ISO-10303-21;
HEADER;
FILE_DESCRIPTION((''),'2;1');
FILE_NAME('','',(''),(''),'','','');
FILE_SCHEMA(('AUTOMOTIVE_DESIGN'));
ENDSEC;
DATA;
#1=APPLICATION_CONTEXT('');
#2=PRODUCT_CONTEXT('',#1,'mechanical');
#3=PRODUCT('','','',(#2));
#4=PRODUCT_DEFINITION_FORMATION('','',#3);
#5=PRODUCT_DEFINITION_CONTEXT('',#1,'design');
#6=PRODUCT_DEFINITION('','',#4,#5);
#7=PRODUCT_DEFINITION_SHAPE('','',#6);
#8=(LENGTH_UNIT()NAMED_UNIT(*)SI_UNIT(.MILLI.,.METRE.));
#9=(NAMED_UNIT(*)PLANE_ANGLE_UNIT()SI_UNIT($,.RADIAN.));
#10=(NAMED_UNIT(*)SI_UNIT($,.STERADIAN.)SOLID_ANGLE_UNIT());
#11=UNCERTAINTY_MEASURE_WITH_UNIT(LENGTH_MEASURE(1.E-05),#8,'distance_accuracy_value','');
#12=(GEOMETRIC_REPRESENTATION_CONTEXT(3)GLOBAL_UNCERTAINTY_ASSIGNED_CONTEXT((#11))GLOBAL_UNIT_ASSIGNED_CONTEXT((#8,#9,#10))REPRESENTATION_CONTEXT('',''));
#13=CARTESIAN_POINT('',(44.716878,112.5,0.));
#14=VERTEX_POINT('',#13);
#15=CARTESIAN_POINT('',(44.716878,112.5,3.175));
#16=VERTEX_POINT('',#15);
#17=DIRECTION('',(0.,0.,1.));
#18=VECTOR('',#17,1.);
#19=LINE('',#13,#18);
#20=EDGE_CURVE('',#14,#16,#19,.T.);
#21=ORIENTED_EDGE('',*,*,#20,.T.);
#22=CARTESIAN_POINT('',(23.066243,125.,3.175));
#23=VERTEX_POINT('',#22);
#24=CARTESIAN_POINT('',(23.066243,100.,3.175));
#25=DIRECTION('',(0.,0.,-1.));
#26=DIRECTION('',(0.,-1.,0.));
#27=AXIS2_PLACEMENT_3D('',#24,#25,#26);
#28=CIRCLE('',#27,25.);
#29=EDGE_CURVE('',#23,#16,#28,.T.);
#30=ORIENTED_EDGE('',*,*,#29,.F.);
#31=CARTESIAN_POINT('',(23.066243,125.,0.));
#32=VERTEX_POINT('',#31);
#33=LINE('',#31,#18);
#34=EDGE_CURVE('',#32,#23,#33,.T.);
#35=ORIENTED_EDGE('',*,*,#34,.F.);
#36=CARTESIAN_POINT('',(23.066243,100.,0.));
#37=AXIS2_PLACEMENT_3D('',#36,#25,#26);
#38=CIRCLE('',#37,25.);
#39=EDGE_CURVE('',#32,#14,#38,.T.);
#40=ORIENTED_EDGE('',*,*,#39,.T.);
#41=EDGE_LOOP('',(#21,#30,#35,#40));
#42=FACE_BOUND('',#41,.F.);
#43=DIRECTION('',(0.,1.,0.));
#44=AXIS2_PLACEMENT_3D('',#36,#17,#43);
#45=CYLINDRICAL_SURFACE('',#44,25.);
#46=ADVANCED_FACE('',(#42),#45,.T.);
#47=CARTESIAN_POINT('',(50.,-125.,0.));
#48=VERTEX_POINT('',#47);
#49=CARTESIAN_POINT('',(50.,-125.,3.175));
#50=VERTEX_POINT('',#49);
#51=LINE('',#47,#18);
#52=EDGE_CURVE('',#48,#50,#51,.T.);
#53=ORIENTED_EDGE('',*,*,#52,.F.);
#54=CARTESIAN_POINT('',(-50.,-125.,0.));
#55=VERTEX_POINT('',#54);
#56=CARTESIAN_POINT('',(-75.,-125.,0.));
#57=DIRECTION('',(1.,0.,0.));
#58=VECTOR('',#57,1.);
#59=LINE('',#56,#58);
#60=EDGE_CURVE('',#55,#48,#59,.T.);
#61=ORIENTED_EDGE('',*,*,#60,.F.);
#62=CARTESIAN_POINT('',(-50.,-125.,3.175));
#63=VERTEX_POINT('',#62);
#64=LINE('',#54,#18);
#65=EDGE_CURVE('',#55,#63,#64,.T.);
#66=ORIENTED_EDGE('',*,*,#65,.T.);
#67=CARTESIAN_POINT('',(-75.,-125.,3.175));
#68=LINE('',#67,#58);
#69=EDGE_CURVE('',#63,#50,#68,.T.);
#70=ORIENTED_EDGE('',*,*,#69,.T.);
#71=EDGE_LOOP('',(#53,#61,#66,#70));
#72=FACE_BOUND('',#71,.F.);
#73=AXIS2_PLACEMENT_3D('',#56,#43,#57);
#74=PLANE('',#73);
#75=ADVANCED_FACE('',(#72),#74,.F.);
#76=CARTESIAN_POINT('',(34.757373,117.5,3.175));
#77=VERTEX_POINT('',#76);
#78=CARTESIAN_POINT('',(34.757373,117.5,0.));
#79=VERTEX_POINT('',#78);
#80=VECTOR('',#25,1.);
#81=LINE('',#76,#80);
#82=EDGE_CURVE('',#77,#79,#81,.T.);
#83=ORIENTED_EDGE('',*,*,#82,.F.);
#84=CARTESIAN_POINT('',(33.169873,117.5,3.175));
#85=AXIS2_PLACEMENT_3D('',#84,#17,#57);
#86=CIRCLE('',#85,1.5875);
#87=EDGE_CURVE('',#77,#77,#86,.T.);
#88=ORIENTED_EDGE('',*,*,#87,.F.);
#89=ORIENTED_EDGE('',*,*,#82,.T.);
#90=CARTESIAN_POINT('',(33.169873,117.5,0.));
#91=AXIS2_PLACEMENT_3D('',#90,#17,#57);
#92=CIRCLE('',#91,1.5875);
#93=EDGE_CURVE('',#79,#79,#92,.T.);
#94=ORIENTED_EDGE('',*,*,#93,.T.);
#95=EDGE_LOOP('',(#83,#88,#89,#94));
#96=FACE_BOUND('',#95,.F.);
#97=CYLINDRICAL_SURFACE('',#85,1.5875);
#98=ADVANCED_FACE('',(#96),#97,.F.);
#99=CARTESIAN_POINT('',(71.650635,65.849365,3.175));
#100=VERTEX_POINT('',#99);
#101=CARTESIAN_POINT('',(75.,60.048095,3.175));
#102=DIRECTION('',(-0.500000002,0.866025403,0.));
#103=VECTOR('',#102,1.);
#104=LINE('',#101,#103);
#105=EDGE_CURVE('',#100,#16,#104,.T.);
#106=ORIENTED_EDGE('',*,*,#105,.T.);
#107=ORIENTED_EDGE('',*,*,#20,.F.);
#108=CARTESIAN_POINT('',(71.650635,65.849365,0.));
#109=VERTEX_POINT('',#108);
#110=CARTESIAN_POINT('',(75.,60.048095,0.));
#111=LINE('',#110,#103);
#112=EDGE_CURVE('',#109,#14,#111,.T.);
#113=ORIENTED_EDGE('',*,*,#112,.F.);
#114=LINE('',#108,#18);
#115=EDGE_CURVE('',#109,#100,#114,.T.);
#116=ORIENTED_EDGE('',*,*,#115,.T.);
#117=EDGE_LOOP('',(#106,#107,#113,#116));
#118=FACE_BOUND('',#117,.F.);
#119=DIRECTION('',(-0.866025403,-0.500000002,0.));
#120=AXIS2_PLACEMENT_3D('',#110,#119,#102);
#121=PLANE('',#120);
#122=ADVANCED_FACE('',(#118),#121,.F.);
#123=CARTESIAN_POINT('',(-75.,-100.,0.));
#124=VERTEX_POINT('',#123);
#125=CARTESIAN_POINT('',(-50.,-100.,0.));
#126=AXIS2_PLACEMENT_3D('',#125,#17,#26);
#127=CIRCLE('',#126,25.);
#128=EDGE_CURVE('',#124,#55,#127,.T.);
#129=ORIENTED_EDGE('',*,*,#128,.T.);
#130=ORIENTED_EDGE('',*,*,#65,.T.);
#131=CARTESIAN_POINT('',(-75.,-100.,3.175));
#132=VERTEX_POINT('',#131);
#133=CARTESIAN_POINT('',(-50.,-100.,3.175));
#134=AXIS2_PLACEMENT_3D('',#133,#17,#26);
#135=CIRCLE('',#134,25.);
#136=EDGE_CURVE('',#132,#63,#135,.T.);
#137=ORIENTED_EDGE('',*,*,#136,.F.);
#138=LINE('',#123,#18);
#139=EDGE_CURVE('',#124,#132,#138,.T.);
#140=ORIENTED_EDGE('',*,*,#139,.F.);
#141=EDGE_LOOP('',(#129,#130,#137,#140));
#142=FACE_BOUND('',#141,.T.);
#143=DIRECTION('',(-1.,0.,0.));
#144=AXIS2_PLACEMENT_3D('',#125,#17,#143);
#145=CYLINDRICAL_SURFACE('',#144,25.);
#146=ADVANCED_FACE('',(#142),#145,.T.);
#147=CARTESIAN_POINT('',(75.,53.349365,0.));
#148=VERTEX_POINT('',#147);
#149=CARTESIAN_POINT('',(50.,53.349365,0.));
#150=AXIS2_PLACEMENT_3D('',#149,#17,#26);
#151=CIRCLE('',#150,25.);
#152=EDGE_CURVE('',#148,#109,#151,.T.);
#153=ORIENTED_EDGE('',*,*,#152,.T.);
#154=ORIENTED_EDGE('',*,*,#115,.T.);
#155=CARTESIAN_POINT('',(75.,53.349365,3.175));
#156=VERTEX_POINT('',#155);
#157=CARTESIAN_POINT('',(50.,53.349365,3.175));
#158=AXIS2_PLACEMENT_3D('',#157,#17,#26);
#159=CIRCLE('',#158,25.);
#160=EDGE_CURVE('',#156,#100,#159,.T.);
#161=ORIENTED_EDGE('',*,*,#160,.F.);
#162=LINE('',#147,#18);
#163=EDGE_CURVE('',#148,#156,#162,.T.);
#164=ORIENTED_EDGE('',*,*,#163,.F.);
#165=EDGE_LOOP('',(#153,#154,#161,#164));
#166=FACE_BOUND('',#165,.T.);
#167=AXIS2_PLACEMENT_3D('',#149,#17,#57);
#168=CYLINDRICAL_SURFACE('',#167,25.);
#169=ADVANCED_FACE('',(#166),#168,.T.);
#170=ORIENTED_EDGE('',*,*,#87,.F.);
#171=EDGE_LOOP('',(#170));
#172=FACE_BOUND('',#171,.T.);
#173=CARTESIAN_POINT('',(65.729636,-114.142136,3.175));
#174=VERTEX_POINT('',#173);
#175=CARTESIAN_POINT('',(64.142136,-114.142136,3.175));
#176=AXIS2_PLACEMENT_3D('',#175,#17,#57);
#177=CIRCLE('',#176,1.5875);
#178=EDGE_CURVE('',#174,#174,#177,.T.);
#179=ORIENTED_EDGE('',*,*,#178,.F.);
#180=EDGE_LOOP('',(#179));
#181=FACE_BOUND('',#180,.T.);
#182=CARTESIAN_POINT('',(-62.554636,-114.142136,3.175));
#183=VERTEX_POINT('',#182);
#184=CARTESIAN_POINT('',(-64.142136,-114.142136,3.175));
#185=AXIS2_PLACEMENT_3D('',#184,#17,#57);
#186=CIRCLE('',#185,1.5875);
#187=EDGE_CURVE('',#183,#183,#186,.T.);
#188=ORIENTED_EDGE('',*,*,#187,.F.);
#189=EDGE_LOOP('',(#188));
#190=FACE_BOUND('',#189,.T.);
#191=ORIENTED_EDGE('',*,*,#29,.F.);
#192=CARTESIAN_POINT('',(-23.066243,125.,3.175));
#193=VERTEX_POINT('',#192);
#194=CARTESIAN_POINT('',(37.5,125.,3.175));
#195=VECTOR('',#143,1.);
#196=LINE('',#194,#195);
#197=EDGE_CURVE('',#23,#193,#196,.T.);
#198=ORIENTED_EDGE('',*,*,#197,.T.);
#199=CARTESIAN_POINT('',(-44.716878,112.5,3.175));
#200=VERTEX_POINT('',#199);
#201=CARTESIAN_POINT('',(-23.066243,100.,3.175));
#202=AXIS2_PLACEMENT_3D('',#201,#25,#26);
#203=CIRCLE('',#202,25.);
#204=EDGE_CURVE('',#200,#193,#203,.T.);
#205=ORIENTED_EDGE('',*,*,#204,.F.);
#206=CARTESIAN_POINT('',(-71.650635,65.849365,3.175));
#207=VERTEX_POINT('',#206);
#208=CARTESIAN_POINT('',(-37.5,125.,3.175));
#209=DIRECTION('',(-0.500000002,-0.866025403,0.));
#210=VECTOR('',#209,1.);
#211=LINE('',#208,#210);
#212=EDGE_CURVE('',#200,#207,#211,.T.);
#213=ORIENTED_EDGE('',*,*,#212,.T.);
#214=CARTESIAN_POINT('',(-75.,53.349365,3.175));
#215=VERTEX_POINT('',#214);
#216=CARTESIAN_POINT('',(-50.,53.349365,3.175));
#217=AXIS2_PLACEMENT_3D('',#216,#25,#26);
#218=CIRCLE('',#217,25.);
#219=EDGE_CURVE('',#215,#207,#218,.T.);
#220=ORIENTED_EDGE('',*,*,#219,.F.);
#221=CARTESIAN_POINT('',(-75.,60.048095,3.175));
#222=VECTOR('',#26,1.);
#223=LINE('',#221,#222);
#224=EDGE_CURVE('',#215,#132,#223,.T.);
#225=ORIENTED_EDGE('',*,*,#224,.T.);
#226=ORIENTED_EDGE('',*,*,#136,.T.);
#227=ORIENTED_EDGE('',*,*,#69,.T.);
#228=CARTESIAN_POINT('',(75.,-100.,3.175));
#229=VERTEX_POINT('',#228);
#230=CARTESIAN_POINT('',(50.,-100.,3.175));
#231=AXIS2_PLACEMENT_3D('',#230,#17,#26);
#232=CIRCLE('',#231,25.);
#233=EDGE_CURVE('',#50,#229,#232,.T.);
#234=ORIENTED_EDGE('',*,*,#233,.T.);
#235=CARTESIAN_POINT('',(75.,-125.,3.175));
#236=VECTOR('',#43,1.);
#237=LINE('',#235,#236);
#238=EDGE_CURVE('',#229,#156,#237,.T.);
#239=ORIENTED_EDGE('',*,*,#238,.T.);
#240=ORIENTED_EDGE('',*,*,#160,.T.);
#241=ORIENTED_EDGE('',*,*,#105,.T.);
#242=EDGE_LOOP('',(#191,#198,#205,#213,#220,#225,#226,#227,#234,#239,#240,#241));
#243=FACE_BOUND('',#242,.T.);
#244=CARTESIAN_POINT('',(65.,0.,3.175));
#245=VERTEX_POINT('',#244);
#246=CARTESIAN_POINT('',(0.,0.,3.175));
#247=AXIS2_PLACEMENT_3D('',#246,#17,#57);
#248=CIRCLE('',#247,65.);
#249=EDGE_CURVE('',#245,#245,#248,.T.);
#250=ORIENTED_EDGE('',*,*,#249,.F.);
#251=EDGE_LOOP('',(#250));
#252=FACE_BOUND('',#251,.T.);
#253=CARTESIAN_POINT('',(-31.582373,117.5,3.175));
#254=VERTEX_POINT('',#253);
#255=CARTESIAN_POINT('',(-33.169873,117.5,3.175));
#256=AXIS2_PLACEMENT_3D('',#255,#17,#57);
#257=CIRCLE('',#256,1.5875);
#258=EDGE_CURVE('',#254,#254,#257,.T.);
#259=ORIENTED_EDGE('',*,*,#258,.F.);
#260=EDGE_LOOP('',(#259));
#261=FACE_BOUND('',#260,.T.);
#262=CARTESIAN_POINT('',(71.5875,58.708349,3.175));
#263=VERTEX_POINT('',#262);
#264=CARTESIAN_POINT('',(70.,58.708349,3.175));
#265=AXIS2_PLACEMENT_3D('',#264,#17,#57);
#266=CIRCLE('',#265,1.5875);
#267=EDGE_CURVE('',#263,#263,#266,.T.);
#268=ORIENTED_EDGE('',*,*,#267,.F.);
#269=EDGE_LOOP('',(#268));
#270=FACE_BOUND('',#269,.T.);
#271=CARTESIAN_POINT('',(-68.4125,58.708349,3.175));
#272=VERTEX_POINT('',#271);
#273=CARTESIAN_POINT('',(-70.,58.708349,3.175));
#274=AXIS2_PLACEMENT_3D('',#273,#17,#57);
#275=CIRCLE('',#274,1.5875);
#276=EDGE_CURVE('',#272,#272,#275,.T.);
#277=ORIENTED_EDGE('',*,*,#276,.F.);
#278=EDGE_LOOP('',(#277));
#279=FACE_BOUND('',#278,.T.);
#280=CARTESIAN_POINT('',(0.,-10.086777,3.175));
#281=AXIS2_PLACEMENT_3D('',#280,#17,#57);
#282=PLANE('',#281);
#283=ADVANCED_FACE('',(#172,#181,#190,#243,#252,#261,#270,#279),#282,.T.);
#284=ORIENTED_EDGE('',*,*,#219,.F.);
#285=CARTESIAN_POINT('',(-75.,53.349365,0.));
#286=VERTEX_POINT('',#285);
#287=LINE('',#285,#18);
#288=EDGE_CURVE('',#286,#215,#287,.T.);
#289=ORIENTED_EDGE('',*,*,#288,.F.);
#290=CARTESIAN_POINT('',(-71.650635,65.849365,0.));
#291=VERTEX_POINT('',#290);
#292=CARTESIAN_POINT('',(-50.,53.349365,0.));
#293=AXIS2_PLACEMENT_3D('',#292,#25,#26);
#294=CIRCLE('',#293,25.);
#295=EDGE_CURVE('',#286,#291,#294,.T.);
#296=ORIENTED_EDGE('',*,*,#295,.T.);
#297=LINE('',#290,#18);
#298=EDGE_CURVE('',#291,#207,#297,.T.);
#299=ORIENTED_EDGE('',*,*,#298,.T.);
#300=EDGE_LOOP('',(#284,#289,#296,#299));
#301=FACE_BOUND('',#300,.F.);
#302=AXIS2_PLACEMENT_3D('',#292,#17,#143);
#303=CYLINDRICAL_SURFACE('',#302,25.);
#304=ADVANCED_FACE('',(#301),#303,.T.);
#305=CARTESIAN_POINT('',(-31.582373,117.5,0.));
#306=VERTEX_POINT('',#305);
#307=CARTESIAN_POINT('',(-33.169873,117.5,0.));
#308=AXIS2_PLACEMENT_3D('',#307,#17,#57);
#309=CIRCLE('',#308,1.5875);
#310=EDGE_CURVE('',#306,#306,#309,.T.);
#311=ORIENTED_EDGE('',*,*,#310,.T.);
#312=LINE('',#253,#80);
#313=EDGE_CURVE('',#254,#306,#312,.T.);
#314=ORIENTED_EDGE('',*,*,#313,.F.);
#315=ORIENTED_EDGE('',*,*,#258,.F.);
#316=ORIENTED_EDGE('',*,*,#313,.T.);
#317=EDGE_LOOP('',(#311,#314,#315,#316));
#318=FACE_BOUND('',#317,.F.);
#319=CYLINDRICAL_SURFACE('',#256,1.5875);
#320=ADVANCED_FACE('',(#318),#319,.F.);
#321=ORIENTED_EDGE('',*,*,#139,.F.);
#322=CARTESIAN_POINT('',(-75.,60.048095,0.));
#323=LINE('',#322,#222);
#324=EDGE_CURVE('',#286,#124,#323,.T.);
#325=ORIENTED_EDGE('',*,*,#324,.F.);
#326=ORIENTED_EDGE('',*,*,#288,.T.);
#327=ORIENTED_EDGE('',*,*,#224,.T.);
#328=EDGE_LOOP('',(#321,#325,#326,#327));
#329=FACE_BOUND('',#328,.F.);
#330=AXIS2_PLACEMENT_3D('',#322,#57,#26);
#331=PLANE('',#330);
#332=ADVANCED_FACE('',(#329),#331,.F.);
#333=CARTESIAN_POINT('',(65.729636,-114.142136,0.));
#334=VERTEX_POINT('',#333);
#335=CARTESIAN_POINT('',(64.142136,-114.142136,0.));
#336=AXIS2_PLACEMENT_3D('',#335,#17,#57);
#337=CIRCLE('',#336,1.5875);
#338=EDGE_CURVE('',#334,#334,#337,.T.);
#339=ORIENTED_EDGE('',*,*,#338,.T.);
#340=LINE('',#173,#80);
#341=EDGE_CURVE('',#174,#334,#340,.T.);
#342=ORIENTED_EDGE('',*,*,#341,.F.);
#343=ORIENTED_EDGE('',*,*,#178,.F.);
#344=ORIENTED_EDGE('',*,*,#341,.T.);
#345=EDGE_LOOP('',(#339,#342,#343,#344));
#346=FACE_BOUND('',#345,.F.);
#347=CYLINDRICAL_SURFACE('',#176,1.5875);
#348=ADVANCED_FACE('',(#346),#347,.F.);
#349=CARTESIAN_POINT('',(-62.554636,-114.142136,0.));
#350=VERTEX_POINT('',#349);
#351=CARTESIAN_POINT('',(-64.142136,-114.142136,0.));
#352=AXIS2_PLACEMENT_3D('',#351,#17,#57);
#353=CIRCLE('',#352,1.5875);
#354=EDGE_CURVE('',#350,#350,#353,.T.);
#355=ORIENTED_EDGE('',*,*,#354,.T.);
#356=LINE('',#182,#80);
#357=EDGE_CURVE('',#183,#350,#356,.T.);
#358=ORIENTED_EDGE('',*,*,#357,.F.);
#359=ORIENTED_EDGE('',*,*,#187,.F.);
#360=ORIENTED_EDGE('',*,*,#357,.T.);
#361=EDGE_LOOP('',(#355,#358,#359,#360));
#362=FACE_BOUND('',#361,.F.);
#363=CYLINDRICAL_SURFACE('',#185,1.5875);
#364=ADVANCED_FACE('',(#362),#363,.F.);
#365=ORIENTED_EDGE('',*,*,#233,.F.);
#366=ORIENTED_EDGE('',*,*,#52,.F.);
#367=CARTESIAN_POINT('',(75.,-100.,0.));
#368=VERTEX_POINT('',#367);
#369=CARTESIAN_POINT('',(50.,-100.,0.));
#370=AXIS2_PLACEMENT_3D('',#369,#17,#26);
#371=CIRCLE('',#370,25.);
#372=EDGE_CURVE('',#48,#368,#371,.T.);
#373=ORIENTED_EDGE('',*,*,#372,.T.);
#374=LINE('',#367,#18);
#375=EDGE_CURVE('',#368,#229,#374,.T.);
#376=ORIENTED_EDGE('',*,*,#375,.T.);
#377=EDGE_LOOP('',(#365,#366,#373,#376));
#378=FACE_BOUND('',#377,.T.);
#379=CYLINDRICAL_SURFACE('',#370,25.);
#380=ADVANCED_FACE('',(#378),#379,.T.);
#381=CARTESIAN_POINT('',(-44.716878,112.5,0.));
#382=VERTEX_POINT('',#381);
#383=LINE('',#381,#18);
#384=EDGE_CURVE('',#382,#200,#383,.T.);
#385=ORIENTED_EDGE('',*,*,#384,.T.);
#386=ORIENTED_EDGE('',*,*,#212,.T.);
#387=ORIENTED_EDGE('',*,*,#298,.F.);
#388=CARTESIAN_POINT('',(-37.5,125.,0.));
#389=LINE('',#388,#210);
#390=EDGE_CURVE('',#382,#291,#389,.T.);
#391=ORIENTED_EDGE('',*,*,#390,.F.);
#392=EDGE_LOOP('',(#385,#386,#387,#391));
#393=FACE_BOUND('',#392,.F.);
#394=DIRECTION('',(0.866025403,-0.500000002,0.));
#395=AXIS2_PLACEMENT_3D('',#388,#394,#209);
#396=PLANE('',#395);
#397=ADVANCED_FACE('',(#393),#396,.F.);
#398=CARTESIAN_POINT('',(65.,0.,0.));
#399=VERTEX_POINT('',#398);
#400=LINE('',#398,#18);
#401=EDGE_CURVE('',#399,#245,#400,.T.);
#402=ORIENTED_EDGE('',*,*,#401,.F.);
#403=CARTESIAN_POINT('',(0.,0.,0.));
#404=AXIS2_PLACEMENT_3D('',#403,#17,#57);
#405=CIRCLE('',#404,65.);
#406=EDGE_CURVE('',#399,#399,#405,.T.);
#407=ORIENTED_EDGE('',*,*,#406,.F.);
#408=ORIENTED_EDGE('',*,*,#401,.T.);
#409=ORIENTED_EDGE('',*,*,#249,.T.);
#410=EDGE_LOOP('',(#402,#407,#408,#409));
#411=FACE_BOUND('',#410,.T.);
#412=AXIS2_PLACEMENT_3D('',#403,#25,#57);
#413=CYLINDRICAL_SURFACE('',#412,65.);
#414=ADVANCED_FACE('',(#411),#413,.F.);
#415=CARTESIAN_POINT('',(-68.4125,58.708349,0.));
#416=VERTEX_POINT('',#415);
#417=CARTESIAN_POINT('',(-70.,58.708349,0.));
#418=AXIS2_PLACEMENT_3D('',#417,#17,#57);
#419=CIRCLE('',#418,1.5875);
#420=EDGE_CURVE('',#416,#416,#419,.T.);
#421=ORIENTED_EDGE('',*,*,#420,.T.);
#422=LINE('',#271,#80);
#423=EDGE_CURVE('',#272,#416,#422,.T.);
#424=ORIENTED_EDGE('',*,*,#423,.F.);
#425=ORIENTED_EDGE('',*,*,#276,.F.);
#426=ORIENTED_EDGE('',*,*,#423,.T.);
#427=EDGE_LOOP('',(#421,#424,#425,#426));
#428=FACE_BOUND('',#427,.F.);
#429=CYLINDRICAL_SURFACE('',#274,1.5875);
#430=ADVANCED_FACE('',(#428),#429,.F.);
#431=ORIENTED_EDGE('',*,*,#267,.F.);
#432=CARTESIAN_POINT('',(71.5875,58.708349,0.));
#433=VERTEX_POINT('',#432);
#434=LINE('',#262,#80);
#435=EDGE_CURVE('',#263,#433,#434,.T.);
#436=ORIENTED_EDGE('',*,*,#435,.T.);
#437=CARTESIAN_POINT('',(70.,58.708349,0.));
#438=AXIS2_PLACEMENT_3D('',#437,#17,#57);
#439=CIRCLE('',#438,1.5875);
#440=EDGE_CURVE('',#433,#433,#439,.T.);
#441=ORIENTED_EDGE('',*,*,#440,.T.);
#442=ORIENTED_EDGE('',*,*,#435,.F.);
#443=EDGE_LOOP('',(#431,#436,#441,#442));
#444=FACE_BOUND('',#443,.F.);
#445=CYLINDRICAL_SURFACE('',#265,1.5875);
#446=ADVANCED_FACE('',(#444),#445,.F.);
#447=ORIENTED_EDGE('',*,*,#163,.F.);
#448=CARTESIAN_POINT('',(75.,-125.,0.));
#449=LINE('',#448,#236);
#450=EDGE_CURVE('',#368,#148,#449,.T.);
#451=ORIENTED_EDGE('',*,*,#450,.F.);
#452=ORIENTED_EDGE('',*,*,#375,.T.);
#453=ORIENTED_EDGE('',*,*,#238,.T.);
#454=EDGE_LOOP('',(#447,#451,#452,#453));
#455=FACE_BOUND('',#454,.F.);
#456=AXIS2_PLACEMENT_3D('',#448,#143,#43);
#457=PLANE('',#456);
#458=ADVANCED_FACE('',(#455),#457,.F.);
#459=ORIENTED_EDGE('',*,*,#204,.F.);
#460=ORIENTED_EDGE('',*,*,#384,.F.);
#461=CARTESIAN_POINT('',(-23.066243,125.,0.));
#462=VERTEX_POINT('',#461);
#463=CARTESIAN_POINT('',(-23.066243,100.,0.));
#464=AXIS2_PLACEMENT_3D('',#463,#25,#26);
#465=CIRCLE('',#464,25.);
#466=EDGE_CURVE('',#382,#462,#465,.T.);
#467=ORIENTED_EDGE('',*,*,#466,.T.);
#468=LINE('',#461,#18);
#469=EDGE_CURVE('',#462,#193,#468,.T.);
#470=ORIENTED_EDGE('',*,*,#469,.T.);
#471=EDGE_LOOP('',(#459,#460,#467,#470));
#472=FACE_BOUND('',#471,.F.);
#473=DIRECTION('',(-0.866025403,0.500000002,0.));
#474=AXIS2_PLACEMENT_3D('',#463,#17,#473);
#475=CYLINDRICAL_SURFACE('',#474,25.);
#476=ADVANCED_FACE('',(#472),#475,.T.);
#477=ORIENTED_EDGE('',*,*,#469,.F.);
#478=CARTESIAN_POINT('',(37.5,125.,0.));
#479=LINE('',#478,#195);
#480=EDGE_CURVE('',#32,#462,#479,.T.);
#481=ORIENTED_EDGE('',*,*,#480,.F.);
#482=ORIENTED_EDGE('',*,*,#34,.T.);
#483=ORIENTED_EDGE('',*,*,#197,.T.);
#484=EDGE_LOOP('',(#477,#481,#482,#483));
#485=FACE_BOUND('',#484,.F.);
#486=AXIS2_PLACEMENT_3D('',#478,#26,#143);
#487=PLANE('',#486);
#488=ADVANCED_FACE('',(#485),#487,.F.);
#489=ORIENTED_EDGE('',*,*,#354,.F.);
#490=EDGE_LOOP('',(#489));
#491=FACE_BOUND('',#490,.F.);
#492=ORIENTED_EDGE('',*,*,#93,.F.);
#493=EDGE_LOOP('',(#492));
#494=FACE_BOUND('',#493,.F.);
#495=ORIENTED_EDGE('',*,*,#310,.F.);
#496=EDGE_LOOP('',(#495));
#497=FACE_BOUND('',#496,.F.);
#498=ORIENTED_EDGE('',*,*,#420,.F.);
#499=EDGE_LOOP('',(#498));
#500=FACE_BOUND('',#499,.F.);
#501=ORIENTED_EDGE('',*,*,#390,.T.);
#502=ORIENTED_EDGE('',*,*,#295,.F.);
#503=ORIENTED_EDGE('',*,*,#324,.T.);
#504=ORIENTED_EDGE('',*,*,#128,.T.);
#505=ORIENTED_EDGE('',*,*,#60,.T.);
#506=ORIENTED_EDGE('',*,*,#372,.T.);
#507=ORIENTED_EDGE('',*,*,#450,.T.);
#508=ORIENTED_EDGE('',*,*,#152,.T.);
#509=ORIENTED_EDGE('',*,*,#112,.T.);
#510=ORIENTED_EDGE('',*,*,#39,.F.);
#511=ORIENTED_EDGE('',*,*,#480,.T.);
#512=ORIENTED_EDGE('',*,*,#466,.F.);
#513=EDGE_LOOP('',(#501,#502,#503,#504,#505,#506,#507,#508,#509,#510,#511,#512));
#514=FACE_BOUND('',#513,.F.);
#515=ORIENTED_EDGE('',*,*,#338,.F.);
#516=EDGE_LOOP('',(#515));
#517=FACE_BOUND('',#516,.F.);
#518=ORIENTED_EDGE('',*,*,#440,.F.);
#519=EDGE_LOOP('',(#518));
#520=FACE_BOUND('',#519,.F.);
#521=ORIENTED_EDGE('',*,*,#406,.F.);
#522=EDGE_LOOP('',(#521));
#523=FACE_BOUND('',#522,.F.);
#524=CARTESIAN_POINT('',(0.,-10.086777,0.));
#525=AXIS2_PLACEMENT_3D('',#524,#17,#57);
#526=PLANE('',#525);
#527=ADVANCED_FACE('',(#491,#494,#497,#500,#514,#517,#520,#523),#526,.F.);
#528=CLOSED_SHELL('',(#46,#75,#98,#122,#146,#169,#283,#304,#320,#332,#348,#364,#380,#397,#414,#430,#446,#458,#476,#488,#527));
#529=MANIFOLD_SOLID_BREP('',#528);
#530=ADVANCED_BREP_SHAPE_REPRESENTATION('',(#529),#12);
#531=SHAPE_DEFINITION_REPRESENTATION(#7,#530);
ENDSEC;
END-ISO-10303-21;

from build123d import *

# Parameters (mm, degrees)
F0_R     = 65
F1_DEPTH = 3.175
F2_R     = 25
F3_R     = 1.5875
F4_DEPTH = 3.176


with BuildPart() as f1:
    # F0 (on Top) → F1 (new body)
    with BuildSketch(Plane.XY):
        Polygon((-75, 60.048095), (-75, -125), (75, -125), (75, 60.048095), (37.5, 125), (-37.5, 125), align=None)
        Circle(F0_R, mode=Mode.SUBTRACT)
    extrude(amount=F1_DEPTH)

    # F2
    f2_edges = [f1.edges().sort_by_distance(p)[0] for p in [
        (-75, -125, 1.5875),
        (75, -125, 1.5875),
        (-37.5, 125, 1.5875),
        (-75, 60.048095, 1.5875),
        (75, 60.048095, 1.5875),
        (37.5, 125, 1.5875),
    ]]
    fillet(f2_edges, radius=F2_R)

    # F3 (on face) → F4 (cut, through all)
    with BuildSketch(Plane.XY.offset(3.175)):
        with Locations((-33.169873, 117.5)):
            Circle(F3_R)
        with Locations((33.169873, 117.5)):
            Circle(F3_R)
        with Locations((70, 58.708349)):
            Circle(F3_R)
        with Locations((-70, 58.708349)):
            Circle(F3_R)
        with Locations((-64.142136, -114.142136)):
            Circle(F3_R)
        with Locations((64.142136, -114.142136)):
            Circle(F3_R)
    extrude(amount=-F4_DEPTH, mode=Mode.SUBTRACT)


solid = f1.part
